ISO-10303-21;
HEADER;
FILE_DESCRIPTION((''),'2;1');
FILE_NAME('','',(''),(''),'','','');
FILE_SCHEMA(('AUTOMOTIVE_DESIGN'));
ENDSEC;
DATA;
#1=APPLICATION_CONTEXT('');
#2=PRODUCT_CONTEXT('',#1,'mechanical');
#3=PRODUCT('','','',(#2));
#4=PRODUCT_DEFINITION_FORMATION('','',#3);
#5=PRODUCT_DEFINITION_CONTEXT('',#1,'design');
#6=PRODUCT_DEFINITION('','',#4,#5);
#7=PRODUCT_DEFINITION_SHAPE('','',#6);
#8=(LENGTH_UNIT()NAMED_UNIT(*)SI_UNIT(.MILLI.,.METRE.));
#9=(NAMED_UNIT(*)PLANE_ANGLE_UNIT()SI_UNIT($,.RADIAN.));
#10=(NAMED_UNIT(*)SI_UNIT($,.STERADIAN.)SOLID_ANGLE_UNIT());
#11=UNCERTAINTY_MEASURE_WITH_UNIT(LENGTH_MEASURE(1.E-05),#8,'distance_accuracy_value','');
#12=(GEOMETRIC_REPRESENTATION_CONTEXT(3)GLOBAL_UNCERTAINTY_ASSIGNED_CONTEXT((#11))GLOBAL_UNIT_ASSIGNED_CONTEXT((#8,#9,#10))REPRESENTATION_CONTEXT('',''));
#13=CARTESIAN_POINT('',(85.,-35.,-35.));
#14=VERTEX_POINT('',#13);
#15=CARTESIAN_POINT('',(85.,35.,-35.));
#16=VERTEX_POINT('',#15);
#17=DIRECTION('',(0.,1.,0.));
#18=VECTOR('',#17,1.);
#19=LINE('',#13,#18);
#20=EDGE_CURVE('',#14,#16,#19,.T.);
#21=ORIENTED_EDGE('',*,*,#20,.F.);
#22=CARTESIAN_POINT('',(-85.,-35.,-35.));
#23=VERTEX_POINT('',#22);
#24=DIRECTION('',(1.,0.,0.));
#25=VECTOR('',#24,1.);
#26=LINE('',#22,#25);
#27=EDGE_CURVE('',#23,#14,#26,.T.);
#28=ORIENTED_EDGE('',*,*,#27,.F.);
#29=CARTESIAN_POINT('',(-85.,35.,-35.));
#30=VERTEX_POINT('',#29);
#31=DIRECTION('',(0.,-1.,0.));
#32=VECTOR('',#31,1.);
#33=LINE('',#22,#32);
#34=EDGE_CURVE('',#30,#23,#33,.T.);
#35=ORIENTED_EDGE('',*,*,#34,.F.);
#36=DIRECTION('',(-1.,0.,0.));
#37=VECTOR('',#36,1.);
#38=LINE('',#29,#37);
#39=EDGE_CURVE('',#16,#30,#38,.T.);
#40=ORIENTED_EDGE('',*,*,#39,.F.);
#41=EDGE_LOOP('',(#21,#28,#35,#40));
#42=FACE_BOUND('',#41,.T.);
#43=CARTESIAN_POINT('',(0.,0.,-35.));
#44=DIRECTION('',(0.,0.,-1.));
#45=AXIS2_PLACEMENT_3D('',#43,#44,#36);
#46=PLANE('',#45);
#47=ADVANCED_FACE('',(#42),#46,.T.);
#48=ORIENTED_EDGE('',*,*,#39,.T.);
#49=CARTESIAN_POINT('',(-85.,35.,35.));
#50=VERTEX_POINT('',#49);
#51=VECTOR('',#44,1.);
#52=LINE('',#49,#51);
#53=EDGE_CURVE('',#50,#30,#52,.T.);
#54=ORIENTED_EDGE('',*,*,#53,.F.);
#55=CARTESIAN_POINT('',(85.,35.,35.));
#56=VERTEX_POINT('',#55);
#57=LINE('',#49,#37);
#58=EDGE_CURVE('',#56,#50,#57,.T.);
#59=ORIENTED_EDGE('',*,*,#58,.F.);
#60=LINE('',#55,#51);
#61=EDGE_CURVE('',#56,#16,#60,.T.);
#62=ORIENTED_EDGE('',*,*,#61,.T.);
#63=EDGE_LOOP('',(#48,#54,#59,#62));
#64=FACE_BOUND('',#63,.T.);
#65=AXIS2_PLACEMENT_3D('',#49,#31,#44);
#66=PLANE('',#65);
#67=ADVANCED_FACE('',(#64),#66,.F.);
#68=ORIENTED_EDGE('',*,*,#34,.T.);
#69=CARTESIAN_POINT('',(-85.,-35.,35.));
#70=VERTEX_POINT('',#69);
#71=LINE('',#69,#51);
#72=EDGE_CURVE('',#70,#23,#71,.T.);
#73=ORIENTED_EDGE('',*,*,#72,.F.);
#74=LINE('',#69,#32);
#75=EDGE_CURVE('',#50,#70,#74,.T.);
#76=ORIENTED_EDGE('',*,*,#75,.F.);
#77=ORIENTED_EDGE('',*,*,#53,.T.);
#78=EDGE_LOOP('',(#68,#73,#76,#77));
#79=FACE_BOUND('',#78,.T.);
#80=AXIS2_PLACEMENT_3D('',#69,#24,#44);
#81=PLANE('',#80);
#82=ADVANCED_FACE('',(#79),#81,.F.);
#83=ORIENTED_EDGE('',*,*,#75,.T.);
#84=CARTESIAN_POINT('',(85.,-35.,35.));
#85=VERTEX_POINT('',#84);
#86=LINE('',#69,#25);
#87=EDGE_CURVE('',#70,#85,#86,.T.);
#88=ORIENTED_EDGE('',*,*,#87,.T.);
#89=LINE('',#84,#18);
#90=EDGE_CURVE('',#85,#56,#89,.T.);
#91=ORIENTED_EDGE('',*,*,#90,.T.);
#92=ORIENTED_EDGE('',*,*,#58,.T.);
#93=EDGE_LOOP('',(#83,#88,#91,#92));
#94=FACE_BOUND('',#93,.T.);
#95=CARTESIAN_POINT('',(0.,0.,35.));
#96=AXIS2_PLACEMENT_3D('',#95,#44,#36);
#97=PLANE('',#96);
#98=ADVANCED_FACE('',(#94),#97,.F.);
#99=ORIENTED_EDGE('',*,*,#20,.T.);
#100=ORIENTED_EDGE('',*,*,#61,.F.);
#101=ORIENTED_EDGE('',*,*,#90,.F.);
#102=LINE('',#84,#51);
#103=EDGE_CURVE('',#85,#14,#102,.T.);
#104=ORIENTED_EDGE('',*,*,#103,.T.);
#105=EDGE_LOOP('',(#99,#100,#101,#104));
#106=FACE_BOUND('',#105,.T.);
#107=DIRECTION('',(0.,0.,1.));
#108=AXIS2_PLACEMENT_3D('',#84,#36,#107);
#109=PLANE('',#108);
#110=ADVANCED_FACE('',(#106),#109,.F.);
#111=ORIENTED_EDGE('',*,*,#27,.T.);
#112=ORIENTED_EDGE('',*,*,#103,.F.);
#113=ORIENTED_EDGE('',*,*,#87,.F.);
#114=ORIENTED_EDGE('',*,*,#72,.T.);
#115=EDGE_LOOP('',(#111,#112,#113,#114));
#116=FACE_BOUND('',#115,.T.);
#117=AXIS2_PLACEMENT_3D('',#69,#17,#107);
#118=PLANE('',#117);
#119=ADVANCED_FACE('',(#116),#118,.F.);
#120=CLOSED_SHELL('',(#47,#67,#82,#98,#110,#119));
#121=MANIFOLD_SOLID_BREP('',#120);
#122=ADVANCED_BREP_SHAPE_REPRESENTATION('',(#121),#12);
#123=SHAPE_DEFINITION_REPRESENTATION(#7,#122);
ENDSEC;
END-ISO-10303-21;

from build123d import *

# Parameters (mm, degrees)
SKETCH_1_W      = 170
SKETCH_1_H      = 70
EXTRUDE_1_DEPTH = 35


with BuildPart() as part:
    # Эскиз1 → Бобышка-Вытянуть1 (new body, symmetric)
    with BuildSketch(Plane.XY):
        Rectangle(SKETCH_1_W, SKETCH_1_H)
    extrude(amount=EXTRUDE_1_DEPTH, both=True)


solid = part.part
